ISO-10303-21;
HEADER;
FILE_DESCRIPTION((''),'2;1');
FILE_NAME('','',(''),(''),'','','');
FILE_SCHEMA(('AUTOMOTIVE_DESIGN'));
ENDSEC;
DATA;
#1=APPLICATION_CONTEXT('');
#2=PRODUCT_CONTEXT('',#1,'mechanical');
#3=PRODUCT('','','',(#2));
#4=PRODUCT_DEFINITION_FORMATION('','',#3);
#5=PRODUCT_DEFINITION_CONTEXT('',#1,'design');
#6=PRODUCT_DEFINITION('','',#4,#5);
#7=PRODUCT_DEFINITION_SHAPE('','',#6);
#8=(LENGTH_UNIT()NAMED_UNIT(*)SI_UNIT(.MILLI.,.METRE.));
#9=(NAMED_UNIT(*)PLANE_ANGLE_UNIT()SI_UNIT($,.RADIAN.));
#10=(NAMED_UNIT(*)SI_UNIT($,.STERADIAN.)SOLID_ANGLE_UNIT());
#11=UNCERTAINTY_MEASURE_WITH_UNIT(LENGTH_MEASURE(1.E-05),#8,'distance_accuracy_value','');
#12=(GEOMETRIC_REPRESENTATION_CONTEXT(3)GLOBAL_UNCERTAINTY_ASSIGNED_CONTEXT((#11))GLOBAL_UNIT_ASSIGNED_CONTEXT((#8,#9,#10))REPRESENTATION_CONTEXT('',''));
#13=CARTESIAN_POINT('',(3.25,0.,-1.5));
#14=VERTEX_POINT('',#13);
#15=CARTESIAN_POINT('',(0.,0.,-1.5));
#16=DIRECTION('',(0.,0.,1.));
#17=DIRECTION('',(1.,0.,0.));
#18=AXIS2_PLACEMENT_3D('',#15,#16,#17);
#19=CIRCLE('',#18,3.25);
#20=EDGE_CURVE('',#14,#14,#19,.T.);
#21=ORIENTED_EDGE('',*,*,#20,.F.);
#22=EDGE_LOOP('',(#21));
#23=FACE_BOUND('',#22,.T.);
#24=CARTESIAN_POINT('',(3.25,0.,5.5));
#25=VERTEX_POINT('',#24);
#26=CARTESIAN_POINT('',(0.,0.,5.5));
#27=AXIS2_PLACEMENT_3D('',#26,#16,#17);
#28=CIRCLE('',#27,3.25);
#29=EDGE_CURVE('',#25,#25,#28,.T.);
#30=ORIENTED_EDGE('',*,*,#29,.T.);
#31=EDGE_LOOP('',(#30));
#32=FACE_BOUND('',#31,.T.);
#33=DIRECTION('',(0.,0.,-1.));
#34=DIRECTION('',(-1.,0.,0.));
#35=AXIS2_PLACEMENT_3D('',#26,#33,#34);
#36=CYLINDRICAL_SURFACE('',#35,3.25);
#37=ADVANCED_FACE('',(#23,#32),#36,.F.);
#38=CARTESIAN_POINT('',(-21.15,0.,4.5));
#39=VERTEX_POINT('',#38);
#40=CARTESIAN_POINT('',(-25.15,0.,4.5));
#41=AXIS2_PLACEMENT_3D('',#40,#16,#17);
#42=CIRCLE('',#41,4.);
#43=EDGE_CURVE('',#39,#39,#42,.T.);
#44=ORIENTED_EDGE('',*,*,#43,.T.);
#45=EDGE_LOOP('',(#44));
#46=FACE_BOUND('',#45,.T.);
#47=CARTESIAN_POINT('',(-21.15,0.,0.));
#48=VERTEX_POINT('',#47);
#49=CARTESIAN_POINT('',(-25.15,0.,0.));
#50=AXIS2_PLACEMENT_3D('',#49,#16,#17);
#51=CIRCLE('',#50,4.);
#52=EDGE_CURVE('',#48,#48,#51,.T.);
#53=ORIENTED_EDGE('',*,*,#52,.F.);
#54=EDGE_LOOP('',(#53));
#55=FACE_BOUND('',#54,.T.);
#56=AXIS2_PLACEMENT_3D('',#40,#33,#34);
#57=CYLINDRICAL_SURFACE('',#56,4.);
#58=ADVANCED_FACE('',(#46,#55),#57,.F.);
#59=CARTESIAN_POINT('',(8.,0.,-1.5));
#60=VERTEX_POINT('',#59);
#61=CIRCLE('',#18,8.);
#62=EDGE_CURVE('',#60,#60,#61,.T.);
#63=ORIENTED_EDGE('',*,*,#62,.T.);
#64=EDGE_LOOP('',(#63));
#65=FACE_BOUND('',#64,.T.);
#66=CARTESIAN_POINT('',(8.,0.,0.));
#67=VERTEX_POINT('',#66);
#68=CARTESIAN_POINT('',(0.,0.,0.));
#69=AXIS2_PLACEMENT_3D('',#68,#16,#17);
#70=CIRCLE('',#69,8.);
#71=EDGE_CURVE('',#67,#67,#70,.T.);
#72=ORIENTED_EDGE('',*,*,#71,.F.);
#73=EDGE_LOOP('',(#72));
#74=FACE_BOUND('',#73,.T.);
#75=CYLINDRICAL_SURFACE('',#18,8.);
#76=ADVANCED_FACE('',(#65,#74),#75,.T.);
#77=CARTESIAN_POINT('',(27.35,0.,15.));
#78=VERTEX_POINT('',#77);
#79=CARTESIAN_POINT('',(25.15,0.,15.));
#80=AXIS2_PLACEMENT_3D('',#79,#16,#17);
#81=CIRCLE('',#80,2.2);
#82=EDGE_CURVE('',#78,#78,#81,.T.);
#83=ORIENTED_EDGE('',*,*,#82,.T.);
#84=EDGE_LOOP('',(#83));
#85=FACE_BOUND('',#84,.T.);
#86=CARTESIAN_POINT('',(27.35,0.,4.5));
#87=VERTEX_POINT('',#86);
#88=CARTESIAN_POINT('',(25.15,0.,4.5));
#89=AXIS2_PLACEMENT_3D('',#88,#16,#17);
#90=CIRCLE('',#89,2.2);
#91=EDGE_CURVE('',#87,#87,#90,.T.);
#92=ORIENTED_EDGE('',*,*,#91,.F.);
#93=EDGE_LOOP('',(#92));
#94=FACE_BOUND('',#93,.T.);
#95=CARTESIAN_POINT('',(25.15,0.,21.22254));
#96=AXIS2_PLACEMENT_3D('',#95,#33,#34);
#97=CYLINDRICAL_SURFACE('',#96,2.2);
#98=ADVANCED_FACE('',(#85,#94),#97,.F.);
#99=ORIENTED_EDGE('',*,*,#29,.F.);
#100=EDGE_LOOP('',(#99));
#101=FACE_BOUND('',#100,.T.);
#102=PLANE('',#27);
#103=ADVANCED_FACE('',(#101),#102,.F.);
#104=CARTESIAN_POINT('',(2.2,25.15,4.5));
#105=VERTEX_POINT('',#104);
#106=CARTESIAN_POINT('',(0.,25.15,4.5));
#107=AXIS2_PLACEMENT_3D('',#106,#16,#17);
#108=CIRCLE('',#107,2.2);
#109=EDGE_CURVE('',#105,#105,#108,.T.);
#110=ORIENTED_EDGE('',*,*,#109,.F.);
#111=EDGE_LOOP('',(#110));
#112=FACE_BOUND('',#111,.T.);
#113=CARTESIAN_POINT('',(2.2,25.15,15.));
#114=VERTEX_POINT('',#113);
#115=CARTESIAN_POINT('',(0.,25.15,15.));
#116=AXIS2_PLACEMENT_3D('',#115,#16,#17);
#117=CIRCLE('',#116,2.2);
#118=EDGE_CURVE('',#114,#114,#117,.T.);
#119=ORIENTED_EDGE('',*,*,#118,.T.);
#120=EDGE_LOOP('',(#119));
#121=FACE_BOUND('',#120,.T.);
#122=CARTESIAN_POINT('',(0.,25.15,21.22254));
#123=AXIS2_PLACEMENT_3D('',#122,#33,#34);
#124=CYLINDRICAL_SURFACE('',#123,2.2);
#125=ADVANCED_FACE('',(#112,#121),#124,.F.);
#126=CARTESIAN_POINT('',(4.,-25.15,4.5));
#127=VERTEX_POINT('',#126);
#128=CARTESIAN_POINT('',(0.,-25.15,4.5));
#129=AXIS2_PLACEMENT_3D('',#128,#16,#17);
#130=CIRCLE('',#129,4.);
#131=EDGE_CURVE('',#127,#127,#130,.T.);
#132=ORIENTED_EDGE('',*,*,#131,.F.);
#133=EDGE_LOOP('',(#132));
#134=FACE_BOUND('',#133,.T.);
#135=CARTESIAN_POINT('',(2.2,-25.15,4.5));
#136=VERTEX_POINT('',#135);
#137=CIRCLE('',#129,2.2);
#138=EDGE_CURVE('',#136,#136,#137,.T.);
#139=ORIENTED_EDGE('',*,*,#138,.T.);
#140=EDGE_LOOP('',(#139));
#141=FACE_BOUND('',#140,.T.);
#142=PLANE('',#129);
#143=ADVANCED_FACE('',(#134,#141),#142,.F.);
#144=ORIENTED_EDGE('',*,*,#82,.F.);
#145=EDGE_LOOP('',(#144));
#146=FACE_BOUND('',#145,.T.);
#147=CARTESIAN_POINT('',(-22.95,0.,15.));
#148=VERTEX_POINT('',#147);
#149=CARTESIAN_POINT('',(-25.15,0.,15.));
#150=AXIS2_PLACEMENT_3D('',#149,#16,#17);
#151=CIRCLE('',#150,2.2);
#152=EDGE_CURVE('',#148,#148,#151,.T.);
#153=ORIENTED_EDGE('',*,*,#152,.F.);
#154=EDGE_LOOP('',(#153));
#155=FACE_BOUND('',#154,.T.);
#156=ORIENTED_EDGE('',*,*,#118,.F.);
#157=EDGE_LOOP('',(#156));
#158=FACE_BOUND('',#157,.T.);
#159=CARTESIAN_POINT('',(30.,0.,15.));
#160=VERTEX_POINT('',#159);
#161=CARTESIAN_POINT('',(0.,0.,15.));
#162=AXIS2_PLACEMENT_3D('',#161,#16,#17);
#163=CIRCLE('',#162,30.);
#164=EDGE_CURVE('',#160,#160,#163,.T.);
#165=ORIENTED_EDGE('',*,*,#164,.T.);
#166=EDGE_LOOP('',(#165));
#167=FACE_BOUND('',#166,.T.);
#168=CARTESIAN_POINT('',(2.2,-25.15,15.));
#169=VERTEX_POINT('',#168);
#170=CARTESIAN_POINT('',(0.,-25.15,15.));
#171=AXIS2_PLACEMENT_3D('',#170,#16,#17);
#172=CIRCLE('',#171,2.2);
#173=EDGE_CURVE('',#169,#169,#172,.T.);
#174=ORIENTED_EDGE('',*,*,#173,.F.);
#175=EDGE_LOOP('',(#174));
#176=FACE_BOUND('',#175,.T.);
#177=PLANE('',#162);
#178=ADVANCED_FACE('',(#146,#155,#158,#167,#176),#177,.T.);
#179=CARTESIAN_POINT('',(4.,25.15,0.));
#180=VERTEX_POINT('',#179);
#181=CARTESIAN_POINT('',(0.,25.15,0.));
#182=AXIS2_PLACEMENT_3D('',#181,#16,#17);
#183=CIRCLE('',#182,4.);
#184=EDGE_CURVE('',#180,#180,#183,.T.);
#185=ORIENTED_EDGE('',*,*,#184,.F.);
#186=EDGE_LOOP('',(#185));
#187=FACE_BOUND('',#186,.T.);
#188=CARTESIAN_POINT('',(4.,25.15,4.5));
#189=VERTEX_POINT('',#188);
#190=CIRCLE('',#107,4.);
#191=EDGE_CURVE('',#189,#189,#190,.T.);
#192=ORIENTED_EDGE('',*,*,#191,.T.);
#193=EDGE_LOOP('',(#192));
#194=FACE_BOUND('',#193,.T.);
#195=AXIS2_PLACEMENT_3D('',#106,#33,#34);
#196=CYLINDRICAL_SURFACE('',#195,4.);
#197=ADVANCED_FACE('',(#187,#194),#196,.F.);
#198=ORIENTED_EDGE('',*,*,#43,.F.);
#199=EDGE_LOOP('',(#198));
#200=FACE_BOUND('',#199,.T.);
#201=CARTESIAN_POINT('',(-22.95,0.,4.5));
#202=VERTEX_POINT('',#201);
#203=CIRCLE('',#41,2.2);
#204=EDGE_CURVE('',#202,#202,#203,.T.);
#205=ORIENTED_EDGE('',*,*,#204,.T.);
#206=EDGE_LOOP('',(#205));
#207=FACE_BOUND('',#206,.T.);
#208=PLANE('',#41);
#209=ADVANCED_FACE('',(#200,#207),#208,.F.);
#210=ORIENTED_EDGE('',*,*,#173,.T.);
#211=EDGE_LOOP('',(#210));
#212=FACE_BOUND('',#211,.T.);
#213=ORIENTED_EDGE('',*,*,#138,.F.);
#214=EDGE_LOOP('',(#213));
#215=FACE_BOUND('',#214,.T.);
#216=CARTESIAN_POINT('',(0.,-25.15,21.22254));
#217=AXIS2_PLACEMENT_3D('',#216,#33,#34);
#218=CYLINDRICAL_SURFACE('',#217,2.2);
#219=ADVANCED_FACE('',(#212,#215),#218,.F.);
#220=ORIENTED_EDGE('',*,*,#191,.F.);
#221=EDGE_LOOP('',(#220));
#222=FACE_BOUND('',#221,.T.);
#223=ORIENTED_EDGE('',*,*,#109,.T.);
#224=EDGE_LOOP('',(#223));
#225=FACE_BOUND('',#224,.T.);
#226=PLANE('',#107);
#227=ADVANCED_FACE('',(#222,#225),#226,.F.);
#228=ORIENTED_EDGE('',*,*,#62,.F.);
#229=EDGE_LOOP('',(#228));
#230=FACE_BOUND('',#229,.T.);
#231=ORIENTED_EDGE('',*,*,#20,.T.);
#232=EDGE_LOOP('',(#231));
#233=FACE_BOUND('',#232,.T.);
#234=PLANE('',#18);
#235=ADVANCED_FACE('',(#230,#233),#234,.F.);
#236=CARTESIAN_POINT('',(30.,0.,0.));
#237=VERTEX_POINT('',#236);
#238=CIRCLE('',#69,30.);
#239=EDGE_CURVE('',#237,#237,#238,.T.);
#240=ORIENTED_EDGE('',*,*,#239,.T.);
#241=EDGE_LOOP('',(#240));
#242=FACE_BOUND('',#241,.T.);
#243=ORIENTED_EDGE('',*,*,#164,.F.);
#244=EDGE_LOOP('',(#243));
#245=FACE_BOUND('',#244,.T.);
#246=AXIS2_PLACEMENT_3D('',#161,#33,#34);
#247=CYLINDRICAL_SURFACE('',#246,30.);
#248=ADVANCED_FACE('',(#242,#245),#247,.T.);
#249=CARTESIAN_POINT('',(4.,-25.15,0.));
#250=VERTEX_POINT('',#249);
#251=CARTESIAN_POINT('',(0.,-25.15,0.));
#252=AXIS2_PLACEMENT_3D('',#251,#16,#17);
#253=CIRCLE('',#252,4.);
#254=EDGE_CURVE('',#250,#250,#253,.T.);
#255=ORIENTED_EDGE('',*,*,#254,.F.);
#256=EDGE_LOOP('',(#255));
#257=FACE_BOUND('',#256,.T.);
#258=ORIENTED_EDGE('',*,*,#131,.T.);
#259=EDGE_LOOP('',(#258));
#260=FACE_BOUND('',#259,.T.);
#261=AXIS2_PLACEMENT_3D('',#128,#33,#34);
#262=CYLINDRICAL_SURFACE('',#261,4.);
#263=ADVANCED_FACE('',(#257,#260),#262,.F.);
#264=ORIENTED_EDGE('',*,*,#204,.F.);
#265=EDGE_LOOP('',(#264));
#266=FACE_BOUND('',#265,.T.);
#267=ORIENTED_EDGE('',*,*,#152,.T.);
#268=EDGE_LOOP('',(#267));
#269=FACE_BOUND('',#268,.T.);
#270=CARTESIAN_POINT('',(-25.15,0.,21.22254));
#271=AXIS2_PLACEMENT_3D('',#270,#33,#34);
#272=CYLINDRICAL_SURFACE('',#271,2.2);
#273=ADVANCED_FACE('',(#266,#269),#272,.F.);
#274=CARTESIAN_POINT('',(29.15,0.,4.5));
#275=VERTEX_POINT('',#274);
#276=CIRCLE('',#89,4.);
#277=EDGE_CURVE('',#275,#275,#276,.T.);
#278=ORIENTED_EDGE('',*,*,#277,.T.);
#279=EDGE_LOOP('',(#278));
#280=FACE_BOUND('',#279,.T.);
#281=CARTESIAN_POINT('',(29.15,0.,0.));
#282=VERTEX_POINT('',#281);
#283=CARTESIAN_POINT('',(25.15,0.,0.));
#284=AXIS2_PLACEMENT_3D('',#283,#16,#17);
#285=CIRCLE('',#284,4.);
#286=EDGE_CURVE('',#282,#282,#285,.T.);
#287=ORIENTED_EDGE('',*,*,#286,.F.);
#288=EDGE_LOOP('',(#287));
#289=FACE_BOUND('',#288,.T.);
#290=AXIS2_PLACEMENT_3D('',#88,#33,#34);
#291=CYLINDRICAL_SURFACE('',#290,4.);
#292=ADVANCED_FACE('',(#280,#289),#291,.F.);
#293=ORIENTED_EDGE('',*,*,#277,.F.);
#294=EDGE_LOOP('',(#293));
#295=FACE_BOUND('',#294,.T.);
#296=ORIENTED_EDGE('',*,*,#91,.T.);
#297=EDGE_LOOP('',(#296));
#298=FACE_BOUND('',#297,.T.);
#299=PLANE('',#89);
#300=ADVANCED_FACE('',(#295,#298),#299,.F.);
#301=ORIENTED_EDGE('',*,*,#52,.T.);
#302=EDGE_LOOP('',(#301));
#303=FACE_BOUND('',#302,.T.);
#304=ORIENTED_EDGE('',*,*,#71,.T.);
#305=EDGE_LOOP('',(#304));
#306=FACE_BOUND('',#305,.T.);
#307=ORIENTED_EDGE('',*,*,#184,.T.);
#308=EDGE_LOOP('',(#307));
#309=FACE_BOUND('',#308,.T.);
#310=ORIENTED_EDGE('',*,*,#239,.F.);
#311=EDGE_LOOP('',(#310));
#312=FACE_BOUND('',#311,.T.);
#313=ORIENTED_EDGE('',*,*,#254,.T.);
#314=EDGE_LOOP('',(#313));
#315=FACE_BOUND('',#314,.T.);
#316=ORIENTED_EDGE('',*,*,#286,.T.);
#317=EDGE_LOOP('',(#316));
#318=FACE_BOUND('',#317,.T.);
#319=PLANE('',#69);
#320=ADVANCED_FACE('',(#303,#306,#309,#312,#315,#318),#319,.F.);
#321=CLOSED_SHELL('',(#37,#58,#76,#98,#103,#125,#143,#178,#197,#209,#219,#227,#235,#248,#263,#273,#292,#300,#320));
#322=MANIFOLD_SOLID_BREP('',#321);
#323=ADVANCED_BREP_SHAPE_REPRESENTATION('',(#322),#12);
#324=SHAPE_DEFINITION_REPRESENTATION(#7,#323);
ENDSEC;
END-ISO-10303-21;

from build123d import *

# Parameters (mm, degrees)
SKETCH1_R           = 30
BOSS_EXTRUDE1_DEPTH = 15
SKETCH2_R           = 2.2
CUT_EXTRUDE1_DEPTH  = 15
SKETCH3_R           = 4
CUT_EXTRUDE2_DEPTH  = 4.5
SKETCH5_R           = 8
BOSS_EXTRUDE2_DEPTH = 1.5
SKETCH8_R           = 3.25
CUT_EXTRUDE3_DEPTH  = 7


with BuildPart() as part:
    # Sketch1 → Boss-Extrude1 (new body)
    with BuildSketch(Plane.XY):
        Circle(SKETCH1_R)
    extrude(amount=BOSS_EXTRUDE1_DEPTH)

    # Sketch2 → Cut-Extrude1 (cut)
    with BuildSketch(Plane.XY):
        with Locations((0, 25.15)):
            Circle(SKETCH2_R)
        with Locations((25.15, 0)):
            Circle(SKETCH2_R)
        with Locations((0, -25.15)):
            Circle(SKETCH2_R)
        with Locations((-25.15, 0)):
            Circle(SKETCH2_R)
    extrude(amount=CUT_EXTRUDE1_DEPTH, mode=Mode.SUBTRACT)

    # Sketch3 → Cut-Extrude2 (cut)
    with BuildSketch(Plane.XY):
        with Locations((0, 25.15)):
            Circle(SKETCH3_R)
        with Locations((25.15, 0)):
            Circle(SKETCH3_R)
        with Locations((0, -25.15)):
            Circle(SKETCH3_R)
        with Locations((-25.15, 0)):
            Circle(SKETCH3_R)
    extrude(amount=CUT_EXTRUDE2_DEPTH, mode=Mode.SUBTRACT)

    # Sketch5 → Boss-Extrude2 (add)
    with BuildSketch(Plane.XY):
        Circle(SKETCH5_R)
    extrude(amount=-BOSS_EXTRUDE2_DEPTH)

    # Sketch8 → Cut-Extrude3 (cut)
    with BuildSketch(Plane.XY.offset(-1.5)):
        Circle(SKETCH8_R)
    extrude(amount=CUT_EXTRUDE3_DEPTH, mode=Mode.SUBTRACT)


solid = part.part
